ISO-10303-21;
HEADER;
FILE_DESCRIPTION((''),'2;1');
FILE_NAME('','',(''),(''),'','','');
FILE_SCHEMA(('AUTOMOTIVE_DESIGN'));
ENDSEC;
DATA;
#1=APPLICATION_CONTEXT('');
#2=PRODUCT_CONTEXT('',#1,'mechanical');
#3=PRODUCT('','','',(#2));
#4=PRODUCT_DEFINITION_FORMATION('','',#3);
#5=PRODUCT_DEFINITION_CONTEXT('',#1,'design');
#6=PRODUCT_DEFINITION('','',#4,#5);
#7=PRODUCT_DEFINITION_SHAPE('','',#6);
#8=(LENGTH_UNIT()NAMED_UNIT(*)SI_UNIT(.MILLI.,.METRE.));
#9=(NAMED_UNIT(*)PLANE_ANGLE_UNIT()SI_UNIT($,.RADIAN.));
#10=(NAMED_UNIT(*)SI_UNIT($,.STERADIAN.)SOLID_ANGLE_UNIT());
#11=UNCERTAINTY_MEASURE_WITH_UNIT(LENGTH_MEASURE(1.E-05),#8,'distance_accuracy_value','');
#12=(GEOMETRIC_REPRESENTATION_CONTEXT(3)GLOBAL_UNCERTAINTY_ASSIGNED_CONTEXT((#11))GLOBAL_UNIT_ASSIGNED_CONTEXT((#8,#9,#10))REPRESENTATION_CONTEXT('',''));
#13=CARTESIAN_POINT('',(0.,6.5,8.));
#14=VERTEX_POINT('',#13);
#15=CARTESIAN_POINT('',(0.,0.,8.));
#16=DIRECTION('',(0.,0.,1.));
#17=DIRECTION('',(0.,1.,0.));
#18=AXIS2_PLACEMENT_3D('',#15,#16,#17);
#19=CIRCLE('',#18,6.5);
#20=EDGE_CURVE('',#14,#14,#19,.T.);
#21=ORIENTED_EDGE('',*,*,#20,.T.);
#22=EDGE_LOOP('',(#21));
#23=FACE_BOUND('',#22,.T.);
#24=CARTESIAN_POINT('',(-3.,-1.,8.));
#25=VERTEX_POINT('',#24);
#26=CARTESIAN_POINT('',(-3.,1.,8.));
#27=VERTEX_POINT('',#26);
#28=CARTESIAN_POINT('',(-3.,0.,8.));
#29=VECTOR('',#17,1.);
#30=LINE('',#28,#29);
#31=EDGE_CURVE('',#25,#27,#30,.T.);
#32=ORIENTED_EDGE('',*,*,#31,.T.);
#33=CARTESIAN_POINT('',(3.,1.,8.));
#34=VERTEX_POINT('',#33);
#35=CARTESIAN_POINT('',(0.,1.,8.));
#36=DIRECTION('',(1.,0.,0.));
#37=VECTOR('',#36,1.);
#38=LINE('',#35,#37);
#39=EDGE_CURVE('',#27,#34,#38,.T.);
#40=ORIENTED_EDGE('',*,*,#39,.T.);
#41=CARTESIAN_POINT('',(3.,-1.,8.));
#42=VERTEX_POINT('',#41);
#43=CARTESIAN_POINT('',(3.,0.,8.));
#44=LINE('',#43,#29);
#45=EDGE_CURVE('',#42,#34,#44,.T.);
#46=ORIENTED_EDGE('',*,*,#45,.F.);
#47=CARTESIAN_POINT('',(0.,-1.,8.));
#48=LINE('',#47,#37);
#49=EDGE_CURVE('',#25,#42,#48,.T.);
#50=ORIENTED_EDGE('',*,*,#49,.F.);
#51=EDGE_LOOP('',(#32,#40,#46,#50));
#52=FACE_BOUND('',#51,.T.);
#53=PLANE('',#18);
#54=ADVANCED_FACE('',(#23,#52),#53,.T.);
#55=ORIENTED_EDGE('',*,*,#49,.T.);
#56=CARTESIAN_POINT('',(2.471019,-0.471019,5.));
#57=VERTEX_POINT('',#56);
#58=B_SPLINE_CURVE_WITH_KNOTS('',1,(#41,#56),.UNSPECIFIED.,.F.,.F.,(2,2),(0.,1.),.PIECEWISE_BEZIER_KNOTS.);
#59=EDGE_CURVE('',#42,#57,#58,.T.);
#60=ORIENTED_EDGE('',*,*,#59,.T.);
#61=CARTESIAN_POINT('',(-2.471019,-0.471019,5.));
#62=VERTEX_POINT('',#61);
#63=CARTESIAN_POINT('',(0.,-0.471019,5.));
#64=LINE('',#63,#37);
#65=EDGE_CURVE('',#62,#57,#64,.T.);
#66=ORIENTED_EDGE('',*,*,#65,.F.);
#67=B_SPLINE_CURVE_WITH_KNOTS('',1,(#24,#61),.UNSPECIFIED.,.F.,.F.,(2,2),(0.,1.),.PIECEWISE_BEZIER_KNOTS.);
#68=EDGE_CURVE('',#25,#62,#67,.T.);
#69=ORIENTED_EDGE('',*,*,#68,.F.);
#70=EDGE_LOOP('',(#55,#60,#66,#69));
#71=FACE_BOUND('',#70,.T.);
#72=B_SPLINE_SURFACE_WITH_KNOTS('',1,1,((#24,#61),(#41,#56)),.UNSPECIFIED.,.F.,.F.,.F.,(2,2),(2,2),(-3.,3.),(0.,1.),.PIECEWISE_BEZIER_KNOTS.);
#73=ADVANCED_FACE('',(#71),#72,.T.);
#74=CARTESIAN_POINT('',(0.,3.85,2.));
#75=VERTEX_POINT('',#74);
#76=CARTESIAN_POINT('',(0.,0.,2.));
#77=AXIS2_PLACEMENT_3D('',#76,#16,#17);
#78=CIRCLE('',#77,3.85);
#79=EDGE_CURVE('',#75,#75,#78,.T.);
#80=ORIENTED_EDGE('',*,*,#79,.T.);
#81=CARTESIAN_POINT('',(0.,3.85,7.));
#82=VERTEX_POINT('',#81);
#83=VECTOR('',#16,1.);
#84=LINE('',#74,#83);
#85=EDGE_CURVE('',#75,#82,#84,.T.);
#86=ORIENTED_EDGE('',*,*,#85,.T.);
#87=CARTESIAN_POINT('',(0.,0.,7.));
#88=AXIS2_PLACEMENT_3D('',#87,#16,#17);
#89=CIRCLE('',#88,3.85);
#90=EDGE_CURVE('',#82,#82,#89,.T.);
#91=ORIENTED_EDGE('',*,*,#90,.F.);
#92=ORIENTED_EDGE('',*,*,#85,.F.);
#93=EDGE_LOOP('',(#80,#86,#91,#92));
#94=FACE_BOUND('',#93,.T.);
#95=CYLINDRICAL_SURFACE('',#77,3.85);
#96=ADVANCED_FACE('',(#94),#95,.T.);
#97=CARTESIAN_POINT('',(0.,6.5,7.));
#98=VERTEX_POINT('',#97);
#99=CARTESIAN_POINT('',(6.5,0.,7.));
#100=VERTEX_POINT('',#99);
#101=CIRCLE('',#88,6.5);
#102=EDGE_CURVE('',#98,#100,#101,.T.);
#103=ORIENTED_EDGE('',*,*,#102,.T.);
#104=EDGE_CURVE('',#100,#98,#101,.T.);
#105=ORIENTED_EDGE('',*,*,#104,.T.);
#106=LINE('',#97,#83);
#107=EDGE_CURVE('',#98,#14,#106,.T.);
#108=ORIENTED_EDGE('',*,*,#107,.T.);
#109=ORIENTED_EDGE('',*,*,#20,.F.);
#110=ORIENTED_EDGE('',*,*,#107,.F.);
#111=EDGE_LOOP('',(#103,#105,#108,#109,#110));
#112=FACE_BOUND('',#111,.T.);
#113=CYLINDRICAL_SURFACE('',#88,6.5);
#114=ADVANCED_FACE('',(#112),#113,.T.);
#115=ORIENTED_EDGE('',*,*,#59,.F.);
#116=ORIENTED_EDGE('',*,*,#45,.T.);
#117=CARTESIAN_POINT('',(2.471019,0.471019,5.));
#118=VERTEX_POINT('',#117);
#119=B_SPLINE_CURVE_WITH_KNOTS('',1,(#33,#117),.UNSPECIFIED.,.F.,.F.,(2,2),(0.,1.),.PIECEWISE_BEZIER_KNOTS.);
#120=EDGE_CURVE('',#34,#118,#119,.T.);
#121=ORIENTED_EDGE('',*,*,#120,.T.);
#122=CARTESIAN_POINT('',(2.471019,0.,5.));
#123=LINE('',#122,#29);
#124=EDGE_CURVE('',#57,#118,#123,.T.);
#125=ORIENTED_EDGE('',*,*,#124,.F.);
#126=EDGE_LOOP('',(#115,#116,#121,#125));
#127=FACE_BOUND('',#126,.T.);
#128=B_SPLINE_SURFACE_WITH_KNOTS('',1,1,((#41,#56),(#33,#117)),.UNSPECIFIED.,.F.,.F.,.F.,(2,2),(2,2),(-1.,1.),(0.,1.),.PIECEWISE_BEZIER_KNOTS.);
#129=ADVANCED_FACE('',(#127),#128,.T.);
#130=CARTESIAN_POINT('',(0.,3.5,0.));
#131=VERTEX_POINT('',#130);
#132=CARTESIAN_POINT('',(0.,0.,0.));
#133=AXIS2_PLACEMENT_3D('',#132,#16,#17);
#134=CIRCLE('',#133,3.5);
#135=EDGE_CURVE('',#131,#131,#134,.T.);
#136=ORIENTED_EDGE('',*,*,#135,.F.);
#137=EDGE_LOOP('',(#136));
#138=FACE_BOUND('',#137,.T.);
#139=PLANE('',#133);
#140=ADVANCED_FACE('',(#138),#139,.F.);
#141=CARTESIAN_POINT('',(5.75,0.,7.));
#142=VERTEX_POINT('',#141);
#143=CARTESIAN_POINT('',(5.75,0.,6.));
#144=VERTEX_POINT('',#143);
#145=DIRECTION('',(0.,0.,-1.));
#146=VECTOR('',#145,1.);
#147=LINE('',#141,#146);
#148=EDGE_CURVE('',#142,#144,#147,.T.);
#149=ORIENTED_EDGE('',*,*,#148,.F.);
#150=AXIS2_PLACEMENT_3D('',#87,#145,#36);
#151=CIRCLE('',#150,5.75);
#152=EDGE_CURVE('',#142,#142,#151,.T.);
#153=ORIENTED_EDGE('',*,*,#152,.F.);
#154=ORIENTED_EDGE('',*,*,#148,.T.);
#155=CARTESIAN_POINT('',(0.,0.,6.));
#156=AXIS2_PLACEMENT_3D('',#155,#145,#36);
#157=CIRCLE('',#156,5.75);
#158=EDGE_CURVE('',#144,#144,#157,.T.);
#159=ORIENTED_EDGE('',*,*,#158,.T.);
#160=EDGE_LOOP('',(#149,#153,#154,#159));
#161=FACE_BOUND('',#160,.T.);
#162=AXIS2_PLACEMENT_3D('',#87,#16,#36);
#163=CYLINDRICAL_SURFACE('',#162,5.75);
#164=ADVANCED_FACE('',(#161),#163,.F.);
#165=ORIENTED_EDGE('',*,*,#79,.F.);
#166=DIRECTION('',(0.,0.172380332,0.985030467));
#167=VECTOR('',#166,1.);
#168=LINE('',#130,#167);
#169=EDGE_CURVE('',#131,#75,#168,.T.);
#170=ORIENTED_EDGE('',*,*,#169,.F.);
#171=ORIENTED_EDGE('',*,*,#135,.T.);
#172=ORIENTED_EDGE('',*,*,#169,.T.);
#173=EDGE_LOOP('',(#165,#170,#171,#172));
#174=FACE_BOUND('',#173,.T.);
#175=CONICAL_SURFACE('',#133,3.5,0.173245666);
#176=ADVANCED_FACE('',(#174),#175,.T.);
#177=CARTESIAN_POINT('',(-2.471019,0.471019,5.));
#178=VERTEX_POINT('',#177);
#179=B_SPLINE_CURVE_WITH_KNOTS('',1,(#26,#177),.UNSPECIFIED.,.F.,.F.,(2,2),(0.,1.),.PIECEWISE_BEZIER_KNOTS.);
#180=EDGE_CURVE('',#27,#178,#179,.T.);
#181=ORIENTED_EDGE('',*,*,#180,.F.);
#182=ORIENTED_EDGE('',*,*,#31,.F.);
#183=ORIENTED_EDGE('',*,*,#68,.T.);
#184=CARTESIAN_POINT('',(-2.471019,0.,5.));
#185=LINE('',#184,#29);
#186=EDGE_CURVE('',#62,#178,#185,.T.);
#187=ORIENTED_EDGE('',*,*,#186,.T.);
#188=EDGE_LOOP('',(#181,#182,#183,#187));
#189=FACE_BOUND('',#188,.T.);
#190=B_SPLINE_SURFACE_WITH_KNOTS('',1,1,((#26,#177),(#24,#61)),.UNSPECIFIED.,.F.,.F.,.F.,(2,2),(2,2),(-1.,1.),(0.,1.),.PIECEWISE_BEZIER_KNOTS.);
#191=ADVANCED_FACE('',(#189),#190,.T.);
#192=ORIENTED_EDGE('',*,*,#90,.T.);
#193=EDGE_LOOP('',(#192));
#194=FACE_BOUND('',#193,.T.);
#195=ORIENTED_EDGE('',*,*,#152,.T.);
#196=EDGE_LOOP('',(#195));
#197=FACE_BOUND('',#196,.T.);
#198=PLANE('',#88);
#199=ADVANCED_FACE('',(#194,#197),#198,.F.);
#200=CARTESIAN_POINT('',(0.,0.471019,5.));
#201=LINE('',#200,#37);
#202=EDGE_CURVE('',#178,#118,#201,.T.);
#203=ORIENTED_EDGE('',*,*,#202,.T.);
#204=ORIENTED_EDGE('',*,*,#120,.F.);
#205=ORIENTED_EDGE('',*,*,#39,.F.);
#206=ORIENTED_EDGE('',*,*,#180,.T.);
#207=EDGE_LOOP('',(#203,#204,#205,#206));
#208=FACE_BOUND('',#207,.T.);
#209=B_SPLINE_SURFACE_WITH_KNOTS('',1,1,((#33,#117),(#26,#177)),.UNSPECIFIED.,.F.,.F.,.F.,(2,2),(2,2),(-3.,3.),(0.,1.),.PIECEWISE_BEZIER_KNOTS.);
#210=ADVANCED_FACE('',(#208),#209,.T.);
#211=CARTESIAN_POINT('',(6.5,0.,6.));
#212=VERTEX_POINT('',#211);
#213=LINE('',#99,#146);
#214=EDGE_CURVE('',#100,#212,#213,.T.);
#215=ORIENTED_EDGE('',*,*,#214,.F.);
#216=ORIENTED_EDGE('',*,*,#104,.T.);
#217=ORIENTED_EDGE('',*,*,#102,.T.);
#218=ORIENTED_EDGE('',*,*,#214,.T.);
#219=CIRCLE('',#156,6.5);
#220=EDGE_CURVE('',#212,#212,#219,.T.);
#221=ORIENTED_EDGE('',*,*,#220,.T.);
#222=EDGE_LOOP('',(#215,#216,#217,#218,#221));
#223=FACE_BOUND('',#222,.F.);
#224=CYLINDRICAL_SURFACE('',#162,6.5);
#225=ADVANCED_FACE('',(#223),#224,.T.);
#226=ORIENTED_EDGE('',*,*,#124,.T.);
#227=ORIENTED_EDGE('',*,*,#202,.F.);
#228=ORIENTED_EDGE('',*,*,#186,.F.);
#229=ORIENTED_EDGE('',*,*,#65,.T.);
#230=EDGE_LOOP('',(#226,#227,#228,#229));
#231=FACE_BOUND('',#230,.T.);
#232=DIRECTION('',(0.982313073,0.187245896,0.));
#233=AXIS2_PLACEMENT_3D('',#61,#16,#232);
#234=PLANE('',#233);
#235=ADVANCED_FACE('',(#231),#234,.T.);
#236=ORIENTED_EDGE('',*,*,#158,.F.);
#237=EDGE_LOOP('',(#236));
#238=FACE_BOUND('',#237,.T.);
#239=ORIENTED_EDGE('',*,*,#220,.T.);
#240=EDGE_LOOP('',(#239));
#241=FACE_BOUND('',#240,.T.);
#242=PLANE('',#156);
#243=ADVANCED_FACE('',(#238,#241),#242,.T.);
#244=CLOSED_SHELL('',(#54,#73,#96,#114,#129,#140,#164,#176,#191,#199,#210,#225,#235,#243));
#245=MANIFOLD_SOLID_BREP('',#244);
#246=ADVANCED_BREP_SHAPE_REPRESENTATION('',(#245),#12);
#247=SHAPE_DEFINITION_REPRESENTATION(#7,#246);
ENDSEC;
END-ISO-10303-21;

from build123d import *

# Parameters (mm, degrees)
F2_R     = 6.5
F2_R_2   = 5.75
F3_DEPTH = 1
F4_W     = 6
F4_H     = 2
F5_DEPTH = 3
F5_TAPER = 10


with BuildPart() as f1:
    # F0 (on Right) → F1 (revolve)
    with BuildSketch(Plane.YZ):
        Polygon((0, 8), (0, 0), (3.5, 0), (3.85, 2), (3.85, 7), (6.5, 7), (6.5, 8), align=None)
    revolve(axis=Axis((0, 0, 6.5057562609), (0, 0, 1)))

    # F2 (on face) → F3 (join)
    with BuildSketch(Plane(origin=(0, 0, 7), x_dir=(1, 0, 0), z_dir=(0, 0, -1))):
        Circle(F2_R)
        Circle(F2_R_2, mode=Mode.SUBTRACT)
    extrude(amount=F3_DEPTH)

    # F4 (on face) → F5 (cut)
    with BuildSketch(Plane.XY.offset(8)):
        Rectangle(F4_W, F4_H)
    extrude(amount=-F5_DEPTH, taper=F5_TAPER, mode=Mode.SUBTRACT)


solid = f1.part
